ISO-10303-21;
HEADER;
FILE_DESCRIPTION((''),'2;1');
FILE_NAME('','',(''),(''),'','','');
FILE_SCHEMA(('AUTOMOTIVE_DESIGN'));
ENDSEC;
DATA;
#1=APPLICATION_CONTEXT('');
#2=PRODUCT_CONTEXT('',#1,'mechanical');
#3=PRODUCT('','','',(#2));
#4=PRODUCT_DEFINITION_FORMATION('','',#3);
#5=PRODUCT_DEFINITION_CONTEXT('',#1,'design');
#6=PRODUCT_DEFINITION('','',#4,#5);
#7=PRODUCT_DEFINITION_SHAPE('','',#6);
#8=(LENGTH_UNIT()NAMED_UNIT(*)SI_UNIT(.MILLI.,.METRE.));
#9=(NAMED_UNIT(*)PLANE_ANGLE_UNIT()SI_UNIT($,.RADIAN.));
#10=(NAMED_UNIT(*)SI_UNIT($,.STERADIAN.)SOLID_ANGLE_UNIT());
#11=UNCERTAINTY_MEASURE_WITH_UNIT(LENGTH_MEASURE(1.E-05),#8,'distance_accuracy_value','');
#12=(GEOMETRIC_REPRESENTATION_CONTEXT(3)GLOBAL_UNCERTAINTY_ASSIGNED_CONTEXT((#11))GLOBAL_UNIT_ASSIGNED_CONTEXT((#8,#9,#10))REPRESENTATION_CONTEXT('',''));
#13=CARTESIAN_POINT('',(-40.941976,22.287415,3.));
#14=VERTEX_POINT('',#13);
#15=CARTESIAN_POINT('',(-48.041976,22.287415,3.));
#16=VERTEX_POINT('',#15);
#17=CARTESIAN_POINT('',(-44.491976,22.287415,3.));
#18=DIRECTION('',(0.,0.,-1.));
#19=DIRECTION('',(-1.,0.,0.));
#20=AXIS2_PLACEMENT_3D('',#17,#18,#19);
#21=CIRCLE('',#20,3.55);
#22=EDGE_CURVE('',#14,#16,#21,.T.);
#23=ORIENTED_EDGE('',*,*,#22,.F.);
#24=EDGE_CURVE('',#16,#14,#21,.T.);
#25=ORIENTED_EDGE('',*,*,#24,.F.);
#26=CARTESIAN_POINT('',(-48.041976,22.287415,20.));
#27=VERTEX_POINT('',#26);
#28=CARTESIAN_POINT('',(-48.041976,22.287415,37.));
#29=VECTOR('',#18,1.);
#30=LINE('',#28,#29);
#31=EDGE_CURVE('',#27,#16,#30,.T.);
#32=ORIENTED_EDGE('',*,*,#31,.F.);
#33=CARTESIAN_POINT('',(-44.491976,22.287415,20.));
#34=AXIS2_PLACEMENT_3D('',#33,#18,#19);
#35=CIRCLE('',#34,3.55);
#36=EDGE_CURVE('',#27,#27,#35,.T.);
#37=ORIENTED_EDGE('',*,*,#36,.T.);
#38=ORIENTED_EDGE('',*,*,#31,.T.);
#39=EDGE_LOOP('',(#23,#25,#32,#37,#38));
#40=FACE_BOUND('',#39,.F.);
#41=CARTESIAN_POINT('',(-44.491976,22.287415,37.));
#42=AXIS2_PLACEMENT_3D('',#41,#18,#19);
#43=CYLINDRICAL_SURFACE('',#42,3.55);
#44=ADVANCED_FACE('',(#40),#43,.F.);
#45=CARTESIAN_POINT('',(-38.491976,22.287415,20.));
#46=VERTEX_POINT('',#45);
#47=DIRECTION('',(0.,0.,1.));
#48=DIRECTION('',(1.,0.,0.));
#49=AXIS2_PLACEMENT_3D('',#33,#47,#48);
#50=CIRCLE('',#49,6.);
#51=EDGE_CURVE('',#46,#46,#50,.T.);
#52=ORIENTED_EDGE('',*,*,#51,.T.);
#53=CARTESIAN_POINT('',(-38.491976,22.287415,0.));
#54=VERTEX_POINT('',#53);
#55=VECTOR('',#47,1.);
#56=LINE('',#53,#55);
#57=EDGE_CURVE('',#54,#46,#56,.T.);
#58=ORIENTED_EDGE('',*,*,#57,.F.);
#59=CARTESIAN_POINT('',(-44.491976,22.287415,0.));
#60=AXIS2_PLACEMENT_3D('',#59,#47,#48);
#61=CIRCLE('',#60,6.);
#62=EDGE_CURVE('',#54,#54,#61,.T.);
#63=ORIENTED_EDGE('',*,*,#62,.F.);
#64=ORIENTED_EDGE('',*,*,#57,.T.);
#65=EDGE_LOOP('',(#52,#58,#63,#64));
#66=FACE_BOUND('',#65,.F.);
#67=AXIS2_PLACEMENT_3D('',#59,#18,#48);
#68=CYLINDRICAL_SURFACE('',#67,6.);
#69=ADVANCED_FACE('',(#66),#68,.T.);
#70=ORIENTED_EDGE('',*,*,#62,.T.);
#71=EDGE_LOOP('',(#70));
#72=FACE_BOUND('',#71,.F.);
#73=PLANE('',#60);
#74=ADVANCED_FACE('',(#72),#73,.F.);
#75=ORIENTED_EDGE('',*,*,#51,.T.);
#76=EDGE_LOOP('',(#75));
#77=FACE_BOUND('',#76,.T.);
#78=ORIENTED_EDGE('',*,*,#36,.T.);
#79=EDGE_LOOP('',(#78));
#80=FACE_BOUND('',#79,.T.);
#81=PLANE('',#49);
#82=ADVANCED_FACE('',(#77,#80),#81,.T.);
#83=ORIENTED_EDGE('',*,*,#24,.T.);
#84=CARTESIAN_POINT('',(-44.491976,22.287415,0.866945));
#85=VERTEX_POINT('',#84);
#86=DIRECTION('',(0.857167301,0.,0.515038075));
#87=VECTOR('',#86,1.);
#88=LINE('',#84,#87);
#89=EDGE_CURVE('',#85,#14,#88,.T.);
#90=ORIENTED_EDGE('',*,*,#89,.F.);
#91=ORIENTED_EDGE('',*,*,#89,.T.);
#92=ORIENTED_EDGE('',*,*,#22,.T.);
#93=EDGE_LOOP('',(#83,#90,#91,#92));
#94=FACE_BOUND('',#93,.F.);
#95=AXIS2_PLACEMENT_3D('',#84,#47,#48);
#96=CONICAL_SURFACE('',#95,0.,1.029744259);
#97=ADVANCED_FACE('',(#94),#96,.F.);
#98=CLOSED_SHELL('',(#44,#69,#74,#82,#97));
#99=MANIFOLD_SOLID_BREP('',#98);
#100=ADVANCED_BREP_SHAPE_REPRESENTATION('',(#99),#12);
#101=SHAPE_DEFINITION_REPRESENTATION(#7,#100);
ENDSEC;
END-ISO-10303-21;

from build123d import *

# Parameters (mm, degrees)
F0_R     = 6
F1_DEPTH = 20
F3_D     = 7.1
F3_DEPTH = 17
F3_TIP   = 2.1330551975


with BuildPart() as f1:
    # F0 (on Top) → F1 (new body)
    with BuildSketch(Plane.XY):
        with Locations((-44.4919764996, 22.2874153405)):
            Circle(F0_R)
    extrude(amount=F1_DEPTH)

    # F3
    with Locations(Plane.XY.offset(20)):
        with Locations((-44.4919764996, 22.2874153405)):
            Hole(F3_D / 2, depth=F3_DEPTH)
            with Locations((0, 0, -(F3_DEPTH + F3_TIP / 2))):  # 118° drill point
                Cone(0, F3_D / 2, F3_TIP, mode=Mode.SUBTRACT)


solid = f1.part
